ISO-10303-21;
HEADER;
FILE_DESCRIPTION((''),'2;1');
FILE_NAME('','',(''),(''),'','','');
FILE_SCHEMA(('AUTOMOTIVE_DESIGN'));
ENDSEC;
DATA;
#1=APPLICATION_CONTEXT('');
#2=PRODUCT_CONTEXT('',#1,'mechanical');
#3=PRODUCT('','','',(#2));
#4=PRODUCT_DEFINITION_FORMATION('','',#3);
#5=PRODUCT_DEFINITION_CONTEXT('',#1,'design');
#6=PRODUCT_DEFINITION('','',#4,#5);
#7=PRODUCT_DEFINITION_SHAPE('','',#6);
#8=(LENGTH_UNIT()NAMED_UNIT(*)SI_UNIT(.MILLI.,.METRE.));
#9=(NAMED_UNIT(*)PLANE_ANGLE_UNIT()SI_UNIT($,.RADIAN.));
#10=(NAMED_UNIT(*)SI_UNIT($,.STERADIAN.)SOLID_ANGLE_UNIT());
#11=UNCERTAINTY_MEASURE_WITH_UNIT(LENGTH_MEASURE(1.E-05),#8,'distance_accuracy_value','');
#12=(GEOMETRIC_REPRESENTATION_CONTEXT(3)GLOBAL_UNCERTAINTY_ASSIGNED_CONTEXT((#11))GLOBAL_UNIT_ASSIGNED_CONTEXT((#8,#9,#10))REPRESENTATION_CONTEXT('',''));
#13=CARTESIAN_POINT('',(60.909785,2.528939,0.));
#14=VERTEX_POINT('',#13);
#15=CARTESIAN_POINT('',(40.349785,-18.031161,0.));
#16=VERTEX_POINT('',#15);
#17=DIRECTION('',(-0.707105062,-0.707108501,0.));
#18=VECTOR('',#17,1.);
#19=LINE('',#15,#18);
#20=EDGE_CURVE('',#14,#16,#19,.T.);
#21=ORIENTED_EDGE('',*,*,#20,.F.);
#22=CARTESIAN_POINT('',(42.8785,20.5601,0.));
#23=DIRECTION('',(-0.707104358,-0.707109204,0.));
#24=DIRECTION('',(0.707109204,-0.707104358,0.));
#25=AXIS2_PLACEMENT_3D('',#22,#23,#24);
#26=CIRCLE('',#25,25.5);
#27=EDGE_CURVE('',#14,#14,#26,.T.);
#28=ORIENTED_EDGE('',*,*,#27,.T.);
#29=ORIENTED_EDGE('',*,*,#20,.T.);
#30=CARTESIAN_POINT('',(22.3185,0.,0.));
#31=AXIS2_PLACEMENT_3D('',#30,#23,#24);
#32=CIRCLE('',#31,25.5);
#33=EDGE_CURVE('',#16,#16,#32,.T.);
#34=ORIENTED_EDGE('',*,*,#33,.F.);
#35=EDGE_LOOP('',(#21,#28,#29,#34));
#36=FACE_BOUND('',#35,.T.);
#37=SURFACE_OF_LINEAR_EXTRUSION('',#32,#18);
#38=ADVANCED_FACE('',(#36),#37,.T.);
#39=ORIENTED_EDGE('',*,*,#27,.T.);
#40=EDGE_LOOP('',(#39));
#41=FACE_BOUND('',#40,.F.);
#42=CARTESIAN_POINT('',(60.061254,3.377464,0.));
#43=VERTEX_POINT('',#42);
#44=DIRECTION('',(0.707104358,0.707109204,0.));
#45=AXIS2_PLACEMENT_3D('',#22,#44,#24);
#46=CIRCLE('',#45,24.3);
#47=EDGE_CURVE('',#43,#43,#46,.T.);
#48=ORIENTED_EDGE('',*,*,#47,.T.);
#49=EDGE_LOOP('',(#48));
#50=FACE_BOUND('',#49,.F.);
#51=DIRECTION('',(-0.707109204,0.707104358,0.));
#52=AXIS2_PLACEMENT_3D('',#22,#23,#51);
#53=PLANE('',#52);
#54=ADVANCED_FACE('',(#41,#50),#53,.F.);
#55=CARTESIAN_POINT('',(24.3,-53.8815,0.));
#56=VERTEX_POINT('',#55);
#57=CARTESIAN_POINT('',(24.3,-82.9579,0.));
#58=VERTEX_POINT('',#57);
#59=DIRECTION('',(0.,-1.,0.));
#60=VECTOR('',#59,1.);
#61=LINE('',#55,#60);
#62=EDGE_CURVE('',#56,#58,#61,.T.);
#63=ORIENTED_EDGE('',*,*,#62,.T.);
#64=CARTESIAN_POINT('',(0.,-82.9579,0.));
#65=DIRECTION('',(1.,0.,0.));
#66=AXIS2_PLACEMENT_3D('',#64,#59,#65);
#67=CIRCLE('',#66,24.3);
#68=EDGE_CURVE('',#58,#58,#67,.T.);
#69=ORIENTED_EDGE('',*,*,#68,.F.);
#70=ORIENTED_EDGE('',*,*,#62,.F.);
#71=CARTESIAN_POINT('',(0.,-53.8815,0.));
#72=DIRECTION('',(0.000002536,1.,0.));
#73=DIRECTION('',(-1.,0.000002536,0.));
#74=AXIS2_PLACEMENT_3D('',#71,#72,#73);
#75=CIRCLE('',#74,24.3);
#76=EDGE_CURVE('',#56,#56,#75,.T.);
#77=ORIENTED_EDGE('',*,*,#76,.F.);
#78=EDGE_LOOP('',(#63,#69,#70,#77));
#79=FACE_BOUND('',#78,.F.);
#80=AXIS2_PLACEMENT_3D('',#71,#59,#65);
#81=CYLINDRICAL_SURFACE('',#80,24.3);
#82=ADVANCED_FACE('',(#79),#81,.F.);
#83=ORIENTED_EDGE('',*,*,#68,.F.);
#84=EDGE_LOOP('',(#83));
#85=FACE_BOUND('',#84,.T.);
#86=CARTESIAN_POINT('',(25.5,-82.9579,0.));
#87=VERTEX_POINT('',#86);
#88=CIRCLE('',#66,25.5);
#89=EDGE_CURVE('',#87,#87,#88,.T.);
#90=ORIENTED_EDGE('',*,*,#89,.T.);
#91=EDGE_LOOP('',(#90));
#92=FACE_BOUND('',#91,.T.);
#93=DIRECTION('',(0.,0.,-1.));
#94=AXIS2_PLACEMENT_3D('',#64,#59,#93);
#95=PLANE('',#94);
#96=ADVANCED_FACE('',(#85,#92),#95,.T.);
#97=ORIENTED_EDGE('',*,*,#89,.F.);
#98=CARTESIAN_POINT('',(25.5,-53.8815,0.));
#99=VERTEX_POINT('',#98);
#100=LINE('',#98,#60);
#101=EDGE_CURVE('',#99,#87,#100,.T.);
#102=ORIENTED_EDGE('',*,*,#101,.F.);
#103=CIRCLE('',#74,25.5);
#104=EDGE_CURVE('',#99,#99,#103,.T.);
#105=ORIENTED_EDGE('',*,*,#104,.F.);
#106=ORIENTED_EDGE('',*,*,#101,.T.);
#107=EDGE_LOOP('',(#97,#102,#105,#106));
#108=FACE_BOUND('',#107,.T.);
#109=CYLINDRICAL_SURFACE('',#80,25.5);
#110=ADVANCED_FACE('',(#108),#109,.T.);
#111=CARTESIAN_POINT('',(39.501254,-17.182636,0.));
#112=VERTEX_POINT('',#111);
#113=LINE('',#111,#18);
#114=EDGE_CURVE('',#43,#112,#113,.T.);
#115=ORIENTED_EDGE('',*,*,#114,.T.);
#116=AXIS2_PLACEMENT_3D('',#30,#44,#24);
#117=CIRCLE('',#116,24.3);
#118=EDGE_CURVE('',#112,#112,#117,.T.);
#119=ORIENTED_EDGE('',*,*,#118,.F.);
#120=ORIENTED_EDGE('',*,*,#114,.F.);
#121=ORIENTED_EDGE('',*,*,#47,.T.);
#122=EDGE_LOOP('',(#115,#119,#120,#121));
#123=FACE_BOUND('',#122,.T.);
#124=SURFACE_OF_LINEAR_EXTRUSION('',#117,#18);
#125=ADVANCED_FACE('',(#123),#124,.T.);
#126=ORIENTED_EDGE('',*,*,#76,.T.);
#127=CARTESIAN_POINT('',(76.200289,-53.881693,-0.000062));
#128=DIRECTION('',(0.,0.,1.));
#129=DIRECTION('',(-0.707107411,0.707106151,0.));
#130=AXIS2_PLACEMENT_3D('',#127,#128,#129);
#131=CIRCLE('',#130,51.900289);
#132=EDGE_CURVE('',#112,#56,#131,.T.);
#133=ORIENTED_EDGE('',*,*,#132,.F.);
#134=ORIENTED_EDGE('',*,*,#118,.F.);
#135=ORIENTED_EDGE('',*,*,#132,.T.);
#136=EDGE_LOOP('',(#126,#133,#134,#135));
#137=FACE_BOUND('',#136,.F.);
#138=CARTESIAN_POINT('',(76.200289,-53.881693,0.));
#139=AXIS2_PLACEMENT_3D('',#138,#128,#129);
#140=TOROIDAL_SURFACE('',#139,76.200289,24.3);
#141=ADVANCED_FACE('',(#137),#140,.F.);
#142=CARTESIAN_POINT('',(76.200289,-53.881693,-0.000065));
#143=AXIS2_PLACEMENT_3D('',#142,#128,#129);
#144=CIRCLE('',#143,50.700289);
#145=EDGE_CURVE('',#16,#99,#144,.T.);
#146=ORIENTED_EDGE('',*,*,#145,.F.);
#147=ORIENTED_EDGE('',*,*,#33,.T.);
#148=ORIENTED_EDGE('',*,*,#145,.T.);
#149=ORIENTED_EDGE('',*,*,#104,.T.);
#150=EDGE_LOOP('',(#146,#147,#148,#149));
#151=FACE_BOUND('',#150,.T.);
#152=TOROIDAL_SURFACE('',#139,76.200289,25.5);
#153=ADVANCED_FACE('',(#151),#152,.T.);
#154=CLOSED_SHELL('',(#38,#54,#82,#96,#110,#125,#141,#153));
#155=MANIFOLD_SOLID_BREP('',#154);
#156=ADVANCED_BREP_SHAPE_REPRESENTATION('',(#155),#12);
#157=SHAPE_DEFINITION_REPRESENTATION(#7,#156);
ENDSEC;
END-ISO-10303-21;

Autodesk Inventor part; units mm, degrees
ref_plane "YZ Plane" through (0, 0, 0) normal (1, 0, 0) x (0, 1, 0)
ref_plane "XZ Plane" through (0, 0, 0) normal (0, 1, 0) x (-1, 0, 0)
sketch "Szkic6" plane through (0, 0, 0) normal (0, 0, 1) x (1, 0, 0)
  line L0 (-29.6067, 0) -> (35.2678, 0) construction
  line L1 (0, 42.3419) -> (0, -58.3726) construction
  arc A0 (22.3185, 0) -> (0, -53.8815) centre (76.2, -53.8815) ccw
  line L2 (0, -53.8815) -> (76.2, -53.8815) construction
  line L3 (76.2, -53.8815) -> (29.8611, -7.5426) construction
  line L4 (22.3185, 0) -> (42.8785, 20.5601)
  line L5 (0, -53.8815) -> (0, -82.9579)
  point P0 (0, 0)
  dimension "d24" = 76.2
  dimension "d31" = 45
  dimension "d36" = 29.0763
  dimension "d37" = 29.0763
ref_plane "Płaszczyzna konstrukcyjna2" through (0, -53.8815, 0) normal (0, -1, 0) x (1, 0, 0)
sketch "Szkic8" plane through (0, -53.8815, 0) normal (0, -1, 0) x (1, 0, 0)
  circle A0 centre (0, 0) radius 25.5
  circle A1 centre (0, 0) radius 24.3
  dimension "d32" = 51
  dimension "d33" = 1.2
sweep "Przeciągnięcie2" add profiles "Szkic8" path "Szkic6"
equation "\"d32\" = OD"
equation "\"d33\" = THK"
equation "\"d24\" = R"
equation "\"d31\" = KAT"
equation "\"d36\" = PROSTKA"
equation "\"d37\" = PROSTKA"
equation "\"SzerokośćGięciaPodcięcia\" = Grubość"
equation "\"RozmiarPodcięciaNarożnika\" = 4 * Grubość"
equation "\"PromieńPrzejścia\" = PromieńGięcia"
equation "\"Rozmiar_promienia_Jacobiego\" = PromieńGięcia"
equation "\"Wielk_odstępu\" = Grubość"
equation "\"d2\" = PromieńGięcia"
equation "\"d23\" = PromieńGięcia"
equation "\"R\" = 76.2"
equation "\"OD\" = 51"
equation "\"THK\" = 1.2"
equation "\"KAT\" = 45deg"
equation "\"PROSTKA\" = 29.07633"
equation "\"Grubość\" = 1.5"
equation "\"PromieńGięcia\" = 3"
properties part number "Kolano 45° ø51x1,2 R76,2" material "304L"
